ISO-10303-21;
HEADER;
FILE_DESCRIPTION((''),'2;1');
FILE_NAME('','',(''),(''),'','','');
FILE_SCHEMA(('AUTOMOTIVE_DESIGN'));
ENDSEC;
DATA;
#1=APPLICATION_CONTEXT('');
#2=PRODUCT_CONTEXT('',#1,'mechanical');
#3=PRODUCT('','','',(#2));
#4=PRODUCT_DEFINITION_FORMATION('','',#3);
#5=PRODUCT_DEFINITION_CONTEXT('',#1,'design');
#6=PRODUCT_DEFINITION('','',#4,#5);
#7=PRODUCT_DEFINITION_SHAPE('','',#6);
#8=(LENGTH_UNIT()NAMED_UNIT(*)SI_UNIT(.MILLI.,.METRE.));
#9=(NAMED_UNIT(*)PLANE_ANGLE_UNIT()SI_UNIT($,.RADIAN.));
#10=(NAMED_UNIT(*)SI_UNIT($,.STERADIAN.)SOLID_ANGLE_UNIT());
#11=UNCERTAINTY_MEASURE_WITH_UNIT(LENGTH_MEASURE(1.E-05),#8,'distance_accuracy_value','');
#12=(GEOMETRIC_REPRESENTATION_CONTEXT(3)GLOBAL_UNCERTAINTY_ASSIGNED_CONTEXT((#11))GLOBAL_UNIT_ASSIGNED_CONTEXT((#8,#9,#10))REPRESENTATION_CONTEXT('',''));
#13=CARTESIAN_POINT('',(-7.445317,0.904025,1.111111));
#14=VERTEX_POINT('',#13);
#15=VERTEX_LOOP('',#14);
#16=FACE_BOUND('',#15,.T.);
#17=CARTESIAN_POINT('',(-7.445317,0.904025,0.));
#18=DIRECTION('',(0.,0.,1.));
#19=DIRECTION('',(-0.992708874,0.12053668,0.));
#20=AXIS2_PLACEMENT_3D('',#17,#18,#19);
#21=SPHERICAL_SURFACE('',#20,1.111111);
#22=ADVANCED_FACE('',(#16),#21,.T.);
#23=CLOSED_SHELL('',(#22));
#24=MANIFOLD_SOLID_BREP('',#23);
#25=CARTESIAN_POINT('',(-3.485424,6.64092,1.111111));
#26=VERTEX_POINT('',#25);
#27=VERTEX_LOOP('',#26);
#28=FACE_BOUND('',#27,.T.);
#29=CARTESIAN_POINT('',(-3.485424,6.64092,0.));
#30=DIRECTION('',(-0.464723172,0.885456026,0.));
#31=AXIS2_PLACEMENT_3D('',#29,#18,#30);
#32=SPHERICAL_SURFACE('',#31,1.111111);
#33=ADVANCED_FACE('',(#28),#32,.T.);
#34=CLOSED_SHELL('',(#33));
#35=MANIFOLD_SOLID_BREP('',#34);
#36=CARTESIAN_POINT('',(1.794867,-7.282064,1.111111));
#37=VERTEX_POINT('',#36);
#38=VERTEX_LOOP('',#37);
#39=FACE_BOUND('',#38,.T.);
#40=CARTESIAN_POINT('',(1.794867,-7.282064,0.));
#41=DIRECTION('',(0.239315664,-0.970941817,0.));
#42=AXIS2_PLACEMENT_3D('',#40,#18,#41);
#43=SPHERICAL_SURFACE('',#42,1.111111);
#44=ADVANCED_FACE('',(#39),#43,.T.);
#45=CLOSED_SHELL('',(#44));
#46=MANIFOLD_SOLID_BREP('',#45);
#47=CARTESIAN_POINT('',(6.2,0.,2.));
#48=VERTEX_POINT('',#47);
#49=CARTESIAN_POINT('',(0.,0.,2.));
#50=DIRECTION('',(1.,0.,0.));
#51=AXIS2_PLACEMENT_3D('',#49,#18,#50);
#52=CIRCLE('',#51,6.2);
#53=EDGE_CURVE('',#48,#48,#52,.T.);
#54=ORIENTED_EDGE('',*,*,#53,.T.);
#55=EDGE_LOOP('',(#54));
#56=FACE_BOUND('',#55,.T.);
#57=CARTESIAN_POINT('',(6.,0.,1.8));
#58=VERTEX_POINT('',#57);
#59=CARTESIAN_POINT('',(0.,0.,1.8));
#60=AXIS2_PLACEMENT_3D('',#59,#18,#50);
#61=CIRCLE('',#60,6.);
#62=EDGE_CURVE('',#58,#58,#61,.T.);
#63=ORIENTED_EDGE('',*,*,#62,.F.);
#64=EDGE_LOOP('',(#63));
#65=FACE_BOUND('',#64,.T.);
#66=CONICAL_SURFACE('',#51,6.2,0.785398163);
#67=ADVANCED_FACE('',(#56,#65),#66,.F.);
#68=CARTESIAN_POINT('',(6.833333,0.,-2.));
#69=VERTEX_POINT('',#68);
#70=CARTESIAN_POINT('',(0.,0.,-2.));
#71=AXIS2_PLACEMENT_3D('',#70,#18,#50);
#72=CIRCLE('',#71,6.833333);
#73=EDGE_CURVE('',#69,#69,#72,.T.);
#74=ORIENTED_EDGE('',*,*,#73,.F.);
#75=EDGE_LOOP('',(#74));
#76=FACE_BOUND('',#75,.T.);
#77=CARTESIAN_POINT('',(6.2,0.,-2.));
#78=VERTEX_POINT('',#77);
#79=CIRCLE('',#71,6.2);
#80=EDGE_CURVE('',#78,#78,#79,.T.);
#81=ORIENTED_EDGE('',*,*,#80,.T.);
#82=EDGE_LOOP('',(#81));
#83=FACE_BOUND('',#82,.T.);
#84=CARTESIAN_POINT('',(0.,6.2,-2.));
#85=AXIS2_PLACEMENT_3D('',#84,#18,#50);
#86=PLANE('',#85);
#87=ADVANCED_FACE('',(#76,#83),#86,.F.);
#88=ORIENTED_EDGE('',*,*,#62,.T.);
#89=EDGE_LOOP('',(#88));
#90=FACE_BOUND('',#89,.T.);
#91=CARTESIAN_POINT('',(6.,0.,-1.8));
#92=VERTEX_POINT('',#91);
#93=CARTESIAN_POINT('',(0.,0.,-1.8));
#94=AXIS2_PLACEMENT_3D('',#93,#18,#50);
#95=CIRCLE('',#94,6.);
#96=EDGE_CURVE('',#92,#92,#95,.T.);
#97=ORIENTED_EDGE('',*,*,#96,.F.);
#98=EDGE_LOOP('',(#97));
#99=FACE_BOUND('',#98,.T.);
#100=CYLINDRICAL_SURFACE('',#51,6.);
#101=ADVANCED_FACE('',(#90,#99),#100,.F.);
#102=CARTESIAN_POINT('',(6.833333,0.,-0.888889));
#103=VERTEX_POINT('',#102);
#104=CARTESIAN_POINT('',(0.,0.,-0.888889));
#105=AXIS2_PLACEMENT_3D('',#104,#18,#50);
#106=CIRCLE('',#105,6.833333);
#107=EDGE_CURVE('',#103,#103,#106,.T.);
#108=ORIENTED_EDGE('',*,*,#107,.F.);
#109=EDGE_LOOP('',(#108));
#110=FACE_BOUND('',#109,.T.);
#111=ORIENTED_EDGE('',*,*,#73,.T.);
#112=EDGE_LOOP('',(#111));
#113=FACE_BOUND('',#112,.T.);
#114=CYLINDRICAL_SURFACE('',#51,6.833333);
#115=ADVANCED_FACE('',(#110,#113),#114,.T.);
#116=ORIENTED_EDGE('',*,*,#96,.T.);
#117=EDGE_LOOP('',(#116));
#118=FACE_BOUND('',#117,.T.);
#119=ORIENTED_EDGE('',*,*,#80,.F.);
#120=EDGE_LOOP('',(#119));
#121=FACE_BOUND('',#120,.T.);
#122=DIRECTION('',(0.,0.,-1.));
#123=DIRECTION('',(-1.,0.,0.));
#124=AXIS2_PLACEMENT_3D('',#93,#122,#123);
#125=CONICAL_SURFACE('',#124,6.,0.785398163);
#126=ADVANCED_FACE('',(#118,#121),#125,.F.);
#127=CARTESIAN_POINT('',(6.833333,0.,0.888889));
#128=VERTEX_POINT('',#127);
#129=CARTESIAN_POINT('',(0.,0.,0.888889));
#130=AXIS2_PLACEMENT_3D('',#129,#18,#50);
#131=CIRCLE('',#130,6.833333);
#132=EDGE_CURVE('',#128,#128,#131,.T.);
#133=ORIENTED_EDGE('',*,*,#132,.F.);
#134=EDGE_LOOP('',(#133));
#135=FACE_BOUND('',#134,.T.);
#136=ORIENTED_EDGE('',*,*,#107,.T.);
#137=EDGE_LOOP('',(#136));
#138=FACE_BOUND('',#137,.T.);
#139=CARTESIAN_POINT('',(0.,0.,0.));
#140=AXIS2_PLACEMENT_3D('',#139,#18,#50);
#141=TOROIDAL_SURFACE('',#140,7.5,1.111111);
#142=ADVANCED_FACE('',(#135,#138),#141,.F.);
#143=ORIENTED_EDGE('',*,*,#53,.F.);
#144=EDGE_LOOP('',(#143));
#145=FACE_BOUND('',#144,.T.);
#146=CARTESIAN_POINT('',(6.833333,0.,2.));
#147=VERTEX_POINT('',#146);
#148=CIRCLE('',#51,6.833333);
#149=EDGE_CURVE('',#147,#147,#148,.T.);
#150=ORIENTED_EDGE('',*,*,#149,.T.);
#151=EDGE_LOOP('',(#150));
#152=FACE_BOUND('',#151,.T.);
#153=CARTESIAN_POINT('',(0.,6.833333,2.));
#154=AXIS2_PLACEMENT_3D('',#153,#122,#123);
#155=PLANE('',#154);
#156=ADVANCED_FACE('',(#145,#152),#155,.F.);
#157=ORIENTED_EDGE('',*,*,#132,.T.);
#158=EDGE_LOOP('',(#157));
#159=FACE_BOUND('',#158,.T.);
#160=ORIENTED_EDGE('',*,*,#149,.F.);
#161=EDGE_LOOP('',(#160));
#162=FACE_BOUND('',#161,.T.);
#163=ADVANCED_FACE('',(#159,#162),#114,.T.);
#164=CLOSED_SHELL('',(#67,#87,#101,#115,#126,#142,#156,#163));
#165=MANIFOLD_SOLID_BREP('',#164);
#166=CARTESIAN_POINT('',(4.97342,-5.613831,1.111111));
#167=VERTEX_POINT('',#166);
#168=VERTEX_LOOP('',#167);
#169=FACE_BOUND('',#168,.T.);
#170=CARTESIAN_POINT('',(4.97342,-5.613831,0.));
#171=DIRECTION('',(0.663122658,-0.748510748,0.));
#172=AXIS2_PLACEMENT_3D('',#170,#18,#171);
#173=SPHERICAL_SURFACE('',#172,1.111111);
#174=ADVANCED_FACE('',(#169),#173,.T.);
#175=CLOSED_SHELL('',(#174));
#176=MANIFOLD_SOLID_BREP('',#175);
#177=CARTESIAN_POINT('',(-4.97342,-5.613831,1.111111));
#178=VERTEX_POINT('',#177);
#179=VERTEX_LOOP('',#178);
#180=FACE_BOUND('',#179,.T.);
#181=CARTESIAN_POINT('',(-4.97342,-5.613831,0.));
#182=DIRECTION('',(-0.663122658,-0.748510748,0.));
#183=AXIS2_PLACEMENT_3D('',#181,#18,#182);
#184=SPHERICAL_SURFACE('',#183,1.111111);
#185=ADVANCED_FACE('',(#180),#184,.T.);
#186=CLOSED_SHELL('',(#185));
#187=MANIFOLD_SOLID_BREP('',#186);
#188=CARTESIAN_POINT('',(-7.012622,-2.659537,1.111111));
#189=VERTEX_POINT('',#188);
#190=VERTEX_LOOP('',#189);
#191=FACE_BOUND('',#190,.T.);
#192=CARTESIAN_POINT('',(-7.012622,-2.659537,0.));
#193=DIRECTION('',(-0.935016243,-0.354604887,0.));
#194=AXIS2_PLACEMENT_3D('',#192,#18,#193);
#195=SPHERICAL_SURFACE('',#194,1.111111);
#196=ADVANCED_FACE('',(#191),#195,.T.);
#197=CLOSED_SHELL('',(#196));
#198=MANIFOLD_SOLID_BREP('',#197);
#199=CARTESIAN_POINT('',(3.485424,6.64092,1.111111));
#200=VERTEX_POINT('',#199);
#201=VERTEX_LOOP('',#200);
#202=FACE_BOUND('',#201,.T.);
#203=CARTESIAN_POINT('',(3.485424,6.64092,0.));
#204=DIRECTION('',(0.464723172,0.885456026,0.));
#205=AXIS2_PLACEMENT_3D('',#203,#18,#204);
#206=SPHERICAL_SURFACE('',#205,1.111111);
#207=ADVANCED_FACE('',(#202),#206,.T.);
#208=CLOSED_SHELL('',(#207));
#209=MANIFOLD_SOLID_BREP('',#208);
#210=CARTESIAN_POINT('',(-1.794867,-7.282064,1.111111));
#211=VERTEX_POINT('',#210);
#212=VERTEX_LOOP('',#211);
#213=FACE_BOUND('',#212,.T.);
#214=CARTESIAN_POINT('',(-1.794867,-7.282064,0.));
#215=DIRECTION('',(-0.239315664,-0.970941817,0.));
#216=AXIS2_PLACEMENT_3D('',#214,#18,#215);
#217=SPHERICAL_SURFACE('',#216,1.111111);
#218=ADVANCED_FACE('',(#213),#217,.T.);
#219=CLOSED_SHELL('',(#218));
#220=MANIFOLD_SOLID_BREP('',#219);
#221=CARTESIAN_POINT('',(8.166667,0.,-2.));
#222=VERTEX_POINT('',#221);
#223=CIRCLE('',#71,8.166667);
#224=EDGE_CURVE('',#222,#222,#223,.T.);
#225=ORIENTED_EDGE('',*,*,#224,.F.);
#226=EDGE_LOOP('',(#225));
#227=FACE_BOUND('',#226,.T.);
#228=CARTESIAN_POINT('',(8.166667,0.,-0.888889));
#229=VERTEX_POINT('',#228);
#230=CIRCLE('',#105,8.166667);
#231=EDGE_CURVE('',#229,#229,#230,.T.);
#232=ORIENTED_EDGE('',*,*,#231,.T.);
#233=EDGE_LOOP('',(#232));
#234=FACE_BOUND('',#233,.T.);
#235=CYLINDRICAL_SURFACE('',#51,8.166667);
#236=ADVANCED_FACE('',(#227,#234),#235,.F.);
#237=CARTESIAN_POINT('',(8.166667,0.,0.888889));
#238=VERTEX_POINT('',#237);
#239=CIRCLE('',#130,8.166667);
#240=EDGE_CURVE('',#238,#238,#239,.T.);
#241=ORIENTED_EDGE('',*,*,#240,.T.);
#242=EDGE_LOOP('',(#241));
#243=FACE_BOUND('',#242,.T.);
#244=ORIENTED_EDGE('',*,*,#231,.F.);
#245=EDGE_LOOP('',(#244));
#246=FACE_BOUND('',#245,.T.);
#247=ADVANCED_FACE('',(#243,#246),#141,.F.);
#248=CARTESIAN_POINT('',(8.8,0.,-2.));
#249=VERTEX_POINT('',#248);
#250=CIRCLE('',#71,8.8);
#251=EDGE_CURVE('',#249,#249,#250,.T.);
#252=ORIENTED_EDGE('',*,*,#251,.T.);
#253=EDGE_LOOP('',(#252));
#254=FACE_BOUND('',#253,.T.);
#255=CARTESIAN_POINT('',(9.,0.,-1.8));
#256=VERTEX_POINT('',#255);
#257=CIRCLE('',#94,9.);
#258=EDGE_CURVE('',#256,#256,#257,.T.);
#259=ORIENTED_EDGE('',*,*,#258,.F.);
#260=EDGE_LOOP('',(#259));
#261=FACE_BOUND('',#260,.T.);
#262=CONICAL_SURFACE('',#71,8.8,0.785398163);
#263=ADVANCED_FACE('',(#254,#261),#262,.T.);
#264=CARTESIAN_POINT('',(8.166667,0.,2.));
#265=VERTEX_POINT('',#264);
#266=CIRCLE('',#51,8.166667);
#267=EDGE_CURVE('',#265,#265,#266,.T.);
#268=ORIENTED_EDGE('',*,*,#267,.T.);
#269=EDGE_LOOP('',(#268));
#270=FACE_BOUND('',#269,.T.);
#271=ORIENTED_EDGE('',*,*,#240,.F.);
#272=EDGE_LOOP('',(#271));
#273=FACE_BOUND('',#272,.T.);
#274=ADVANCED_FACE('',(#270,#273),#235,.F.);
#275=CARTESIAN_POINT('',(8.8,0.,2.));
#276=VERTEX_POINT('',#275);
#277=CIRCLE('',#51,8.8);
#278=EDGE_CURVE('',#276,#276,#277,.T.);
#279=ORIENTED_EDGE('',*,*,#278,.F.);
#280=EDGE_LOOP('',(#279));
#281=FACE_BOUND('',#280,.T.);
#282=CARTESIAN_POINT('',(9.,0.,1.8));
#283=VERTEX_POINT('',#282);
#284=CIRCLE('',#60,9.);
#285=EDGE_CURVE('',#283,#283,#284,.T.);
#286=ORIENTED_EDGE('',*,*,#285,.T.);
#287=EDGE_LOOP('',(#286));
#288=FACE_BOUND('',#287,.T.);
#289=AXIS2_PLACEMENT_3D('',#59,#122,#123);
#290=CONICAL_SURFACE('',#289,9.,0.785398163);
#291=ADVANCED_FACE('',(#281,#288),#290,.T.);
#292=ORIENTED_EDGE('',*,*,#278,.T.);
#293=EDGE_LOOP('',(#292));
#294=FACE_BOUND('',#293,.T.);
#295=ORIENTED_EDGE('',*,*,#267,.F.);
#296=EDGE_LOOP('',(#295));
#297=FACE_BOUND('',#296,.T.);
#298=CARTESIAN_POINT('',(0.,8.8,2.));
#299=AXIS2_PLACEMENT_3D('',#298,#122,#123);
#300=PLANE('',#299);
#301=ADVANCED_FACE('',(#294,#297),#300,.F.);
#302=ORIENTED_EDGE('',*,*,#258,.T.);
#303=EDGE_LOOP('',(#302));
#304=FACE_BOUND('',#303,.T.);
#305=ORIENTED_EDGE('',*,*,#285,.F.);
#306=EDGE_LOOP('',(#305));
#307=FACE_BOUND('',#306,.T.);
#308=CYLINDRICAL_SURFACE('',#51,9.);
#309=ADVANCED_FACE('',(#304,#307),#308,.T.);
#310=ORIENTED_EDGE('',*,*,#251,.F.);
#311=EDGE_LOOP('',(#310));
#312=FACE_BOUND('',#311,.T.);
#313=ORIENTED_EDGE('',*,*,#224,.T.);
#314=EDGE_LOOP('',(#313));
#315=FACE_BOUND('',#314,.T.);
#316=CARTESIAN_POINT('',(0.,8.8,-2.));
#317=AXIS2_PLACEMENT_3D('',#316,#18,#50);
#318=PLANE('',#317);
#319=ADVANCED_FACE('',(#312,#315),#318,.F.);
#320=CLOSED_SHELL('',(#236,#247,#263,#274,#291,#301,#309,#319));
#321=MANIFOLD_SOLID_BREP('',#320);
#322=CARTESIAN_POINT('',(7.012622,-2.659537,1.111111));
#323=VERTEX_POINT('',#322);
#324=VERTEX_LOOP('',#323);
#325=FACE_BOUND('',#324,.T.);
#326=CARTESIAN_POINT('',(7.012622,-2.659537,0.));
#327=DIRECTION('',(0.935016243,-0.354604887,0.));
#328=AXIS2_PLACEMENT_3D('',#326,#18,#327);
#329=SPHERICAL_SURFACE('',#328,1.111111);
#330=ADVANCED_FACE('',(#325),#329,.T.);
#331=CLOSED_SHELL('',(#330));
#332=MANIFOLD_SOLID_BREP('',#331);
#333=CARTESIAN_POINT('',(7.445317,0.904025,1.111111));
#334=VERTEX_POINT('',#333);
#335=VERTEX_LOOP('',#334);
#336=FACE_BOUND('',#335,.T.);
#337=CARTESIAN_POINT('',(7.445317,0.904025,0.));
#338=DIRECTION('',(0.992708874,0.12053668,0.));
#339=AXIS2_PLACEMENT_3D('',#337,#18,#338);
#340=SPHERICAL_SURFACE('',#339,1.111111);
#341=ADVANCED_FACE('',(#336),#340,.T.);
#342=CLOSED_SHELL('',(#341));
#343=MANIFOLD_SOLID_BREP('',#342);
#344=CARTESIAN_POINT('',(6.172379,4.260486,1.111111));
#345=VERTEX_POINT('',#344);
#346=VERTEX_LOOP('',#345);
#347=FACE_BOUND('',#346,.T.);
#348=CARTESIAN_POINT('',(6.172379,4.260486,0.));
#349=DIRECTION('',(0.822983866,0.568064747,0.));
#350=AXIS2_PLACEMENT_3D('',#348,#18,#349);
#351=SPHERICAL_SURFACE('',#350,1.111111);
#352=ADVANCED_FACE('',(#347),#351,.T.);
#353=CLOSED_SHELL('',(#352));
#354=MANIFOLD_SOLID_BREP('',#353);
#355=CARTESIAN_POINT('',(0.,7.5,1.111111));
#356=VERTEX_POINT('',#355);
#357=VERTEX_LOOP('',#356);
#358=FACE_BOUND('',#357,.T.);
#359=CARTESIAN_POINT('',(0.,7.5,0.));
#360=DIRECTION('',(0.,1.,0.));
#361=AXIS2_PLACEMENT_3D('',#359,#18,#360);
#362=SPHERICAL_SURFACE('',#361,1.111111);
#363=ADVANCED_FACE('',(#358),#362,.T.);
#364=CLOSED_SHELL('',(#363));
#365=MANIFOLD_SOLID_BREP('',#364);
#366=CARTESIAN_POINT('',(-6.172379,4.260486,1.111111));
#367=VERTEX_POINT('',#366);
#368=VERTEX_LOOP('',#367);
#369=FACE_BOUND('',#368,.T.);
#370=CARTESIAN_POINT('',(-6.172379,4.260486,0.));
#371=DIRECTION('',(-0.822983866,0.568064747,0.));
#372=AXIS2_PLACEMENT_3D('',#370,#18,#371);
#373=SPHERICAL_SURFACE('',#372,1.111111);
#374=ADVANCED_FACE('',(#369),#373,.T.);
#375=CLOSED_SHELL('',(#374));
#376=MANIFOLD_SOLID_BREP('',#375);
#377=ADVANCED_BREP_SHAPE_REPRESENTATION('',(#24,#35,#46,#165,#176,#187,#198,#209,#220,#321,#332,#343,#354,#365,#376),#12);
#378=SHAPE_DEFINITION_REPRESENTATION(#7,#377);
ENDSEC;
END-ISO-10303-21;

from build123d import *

# Parameters (mm, degrees)
CIRPATTERN1_COUNT = 13


with BuildPart() as part:
    # Sketch5 → Revolve1 (revolve)
    with BuildSketch(Plane(origin=(0, 0, 0), x_dir=(0, 0, -1), z_dir=(1, 0, 0))):
        with BuildLine():
            Line((1.8, 9), (-1.8, 9))
            Line((-1.8, 9), (-2, 8.8))
            Line((-2, 8.8), (-2, 8.166666667))
            Line((-2, 8.166666667), (-0.888888889, 8.166666667))
            ThreePointArc((-0.888888889, 8.166666667), (0, 8.611111111), (0.888888889, 8.166666667))
            Line((0.888888889, 8.166666667), (2, 8.166666667))
            Line((2, 8.166666667), (2, 8.8))
            Line((2, 8.8), (1.8, 9))
        make_face()
    revolve(axis=Axis((0, 0, 2), (0, 0, -1)))


with BuildPart() as body_2:
    # Sketch3 → Revolve3 (revolve)
    with BuildSketch(Plane(origin=(0, 0, 0), x_dir=(0, 0, -1), z_dir=(1, 0, 0))):
        with BuildLine():
            Line((-2, 6.833333333), (-0.888888889, 6.833333333))
            ThreePointArc((-0.888888889, 6.833333333), (0, 6.388888889), (0.888888889, 6.833333333))
            Line((0.888888889, 6.833333333), (2, 6.833333333))
            Line((2, 6.833333333), (2, 6.2))
            Line((2, 6.2), (1.8, 6))
            Line((1.8, 6), (-1.8, 6))
            Line((-1.8, 6), (-2, 6.2))
            Line((-2, 6.2), (-2, 6.833333333))
        make_face()
    revolve(axis=Axis((0, 0, 2), (0, 0, -1)))


with BuildPart() as body_3:
    # Sketch4 → Revolve4 (revolve)
    with BuildSketch(Plane(origin=(0, 0, 0), x_dir=(0, 0, -1), z_dir=(1, 0, 0))):
        with BuildLine():
            Line((-1.111111111, 7.5), (1.111111111, 7.5))
            ThreePointArc((1.111111111, 7.5), (0, 8.611111111), (-1.111111111, 7.5))
        make_face()
    revolve(axis=Axis((0, 7.5, 1.111111111), (0, 0, -1)))


with BuildPart() as cirpattern1_1:
    # CirPattern1: pattern copy
    add(body_3.part.rotate(Axis((0, 0, 0), (0, 0, 1)), 1 * 360 / CIRPATTERN1_COUNT))


with BuildPart() as cirpattern1_2:
    # CirPattern1: pattern copy
    add(body_3.part.rotate(Axis((0, 0, 0), (0, 0, 1)), 2 * 360 / CIRPATTERN1_COUNT))


with BuildPart() as cirpattern1_3:
    # CirPattern1: pattern copy
    add(body_3.part.rotate(Axis((0, 0, 0), (0, 0, 1)), 3 * 360 / CIRPATTERN1_COUNT))


with BuildPart() as cirpattern1_4:
    # CirPattern1: pattern copy
    add(body_3.part.rotate(Axis((0, 0, 0), (0, 0, 1)), 4 * 360 / CIRPATTERN1_COUNT))


with BuildPart() as cirpattern1_5:
    # CirPattern1: pattern copy
    add(body_3.part.rotate(Axis((0, 0, 0), (0, 0, 1)), 5 * 360 / CIRPATTERN1_COUNT))


with BuildPart() as cirpattern1_6:
    # CirPattern1: pattern copy
    add(body_3.part.rotate(Axis((0, 0, 0), (0, 0, 1)), 6 * 360 / CIRPATTERN1_COUNT))


with BuildPart() as cirpattern1_7:
    # CirPattern1: pattern copy
    add(body_3.part.rotate(Axis((0, 0, 0), (0, 0, 1)), 7 * 360 / CIRPATTERN1_COUNT))


with BuildPart() as cirpattern1_8:
    # CirPattern1: pattern copy
    add(body_3.part.rotate(Axis((0, 0, 0), (0, 0, 1)), 8 * 360 / CIRPATTERN1_COUNT))


with BuildPart() as cirpattern1_9:
    # CirPattern1: pattern copy
    add(body_3.part.rotate(Axis((0, 0, 0), (0, 0, 1)), 9 * 360 / CIRPATTERN1_COUNT))


with BuildPart() as cirpattern1_10:
    # CirPattern1: pattern copy
    add(body_3.part.rotate(Axis((0, 0, 0), (0, 0, 1)), 10 * 360 / CIRPATTERN1_COUNT))


with BuildPart() as cirpattern1_11:
    # CirPattern1: pattern copy
    add(body_3.part.rotate(Axis((0, 0, 0), (0, 0, 1)), 11 * 360 / CIRPATTERN1_COUNT))


with BuildPart() as cirpattern1_12:
    # CirPattern1: pattern copy
    add(body_3.part.rotate(Axis((0, 0, 0), (0, 0, 1)), 12 * 360 / CIRPATTERN1_COUNT))


solid = Compound([part.part, body_2.part, body_3.part, cirpattern1_1.part, cirpattern1_2.part, cirpattern1_3.part, cirpattern1_4.part, cirpattern1_5.part, cirpattern1_6.part, cirpattern1_7.part, cirpattern1_8.part, cirpattern1_9.part, cirpattern1_10.part, cirpattern1_11.part, cirpattern1_12.part])
